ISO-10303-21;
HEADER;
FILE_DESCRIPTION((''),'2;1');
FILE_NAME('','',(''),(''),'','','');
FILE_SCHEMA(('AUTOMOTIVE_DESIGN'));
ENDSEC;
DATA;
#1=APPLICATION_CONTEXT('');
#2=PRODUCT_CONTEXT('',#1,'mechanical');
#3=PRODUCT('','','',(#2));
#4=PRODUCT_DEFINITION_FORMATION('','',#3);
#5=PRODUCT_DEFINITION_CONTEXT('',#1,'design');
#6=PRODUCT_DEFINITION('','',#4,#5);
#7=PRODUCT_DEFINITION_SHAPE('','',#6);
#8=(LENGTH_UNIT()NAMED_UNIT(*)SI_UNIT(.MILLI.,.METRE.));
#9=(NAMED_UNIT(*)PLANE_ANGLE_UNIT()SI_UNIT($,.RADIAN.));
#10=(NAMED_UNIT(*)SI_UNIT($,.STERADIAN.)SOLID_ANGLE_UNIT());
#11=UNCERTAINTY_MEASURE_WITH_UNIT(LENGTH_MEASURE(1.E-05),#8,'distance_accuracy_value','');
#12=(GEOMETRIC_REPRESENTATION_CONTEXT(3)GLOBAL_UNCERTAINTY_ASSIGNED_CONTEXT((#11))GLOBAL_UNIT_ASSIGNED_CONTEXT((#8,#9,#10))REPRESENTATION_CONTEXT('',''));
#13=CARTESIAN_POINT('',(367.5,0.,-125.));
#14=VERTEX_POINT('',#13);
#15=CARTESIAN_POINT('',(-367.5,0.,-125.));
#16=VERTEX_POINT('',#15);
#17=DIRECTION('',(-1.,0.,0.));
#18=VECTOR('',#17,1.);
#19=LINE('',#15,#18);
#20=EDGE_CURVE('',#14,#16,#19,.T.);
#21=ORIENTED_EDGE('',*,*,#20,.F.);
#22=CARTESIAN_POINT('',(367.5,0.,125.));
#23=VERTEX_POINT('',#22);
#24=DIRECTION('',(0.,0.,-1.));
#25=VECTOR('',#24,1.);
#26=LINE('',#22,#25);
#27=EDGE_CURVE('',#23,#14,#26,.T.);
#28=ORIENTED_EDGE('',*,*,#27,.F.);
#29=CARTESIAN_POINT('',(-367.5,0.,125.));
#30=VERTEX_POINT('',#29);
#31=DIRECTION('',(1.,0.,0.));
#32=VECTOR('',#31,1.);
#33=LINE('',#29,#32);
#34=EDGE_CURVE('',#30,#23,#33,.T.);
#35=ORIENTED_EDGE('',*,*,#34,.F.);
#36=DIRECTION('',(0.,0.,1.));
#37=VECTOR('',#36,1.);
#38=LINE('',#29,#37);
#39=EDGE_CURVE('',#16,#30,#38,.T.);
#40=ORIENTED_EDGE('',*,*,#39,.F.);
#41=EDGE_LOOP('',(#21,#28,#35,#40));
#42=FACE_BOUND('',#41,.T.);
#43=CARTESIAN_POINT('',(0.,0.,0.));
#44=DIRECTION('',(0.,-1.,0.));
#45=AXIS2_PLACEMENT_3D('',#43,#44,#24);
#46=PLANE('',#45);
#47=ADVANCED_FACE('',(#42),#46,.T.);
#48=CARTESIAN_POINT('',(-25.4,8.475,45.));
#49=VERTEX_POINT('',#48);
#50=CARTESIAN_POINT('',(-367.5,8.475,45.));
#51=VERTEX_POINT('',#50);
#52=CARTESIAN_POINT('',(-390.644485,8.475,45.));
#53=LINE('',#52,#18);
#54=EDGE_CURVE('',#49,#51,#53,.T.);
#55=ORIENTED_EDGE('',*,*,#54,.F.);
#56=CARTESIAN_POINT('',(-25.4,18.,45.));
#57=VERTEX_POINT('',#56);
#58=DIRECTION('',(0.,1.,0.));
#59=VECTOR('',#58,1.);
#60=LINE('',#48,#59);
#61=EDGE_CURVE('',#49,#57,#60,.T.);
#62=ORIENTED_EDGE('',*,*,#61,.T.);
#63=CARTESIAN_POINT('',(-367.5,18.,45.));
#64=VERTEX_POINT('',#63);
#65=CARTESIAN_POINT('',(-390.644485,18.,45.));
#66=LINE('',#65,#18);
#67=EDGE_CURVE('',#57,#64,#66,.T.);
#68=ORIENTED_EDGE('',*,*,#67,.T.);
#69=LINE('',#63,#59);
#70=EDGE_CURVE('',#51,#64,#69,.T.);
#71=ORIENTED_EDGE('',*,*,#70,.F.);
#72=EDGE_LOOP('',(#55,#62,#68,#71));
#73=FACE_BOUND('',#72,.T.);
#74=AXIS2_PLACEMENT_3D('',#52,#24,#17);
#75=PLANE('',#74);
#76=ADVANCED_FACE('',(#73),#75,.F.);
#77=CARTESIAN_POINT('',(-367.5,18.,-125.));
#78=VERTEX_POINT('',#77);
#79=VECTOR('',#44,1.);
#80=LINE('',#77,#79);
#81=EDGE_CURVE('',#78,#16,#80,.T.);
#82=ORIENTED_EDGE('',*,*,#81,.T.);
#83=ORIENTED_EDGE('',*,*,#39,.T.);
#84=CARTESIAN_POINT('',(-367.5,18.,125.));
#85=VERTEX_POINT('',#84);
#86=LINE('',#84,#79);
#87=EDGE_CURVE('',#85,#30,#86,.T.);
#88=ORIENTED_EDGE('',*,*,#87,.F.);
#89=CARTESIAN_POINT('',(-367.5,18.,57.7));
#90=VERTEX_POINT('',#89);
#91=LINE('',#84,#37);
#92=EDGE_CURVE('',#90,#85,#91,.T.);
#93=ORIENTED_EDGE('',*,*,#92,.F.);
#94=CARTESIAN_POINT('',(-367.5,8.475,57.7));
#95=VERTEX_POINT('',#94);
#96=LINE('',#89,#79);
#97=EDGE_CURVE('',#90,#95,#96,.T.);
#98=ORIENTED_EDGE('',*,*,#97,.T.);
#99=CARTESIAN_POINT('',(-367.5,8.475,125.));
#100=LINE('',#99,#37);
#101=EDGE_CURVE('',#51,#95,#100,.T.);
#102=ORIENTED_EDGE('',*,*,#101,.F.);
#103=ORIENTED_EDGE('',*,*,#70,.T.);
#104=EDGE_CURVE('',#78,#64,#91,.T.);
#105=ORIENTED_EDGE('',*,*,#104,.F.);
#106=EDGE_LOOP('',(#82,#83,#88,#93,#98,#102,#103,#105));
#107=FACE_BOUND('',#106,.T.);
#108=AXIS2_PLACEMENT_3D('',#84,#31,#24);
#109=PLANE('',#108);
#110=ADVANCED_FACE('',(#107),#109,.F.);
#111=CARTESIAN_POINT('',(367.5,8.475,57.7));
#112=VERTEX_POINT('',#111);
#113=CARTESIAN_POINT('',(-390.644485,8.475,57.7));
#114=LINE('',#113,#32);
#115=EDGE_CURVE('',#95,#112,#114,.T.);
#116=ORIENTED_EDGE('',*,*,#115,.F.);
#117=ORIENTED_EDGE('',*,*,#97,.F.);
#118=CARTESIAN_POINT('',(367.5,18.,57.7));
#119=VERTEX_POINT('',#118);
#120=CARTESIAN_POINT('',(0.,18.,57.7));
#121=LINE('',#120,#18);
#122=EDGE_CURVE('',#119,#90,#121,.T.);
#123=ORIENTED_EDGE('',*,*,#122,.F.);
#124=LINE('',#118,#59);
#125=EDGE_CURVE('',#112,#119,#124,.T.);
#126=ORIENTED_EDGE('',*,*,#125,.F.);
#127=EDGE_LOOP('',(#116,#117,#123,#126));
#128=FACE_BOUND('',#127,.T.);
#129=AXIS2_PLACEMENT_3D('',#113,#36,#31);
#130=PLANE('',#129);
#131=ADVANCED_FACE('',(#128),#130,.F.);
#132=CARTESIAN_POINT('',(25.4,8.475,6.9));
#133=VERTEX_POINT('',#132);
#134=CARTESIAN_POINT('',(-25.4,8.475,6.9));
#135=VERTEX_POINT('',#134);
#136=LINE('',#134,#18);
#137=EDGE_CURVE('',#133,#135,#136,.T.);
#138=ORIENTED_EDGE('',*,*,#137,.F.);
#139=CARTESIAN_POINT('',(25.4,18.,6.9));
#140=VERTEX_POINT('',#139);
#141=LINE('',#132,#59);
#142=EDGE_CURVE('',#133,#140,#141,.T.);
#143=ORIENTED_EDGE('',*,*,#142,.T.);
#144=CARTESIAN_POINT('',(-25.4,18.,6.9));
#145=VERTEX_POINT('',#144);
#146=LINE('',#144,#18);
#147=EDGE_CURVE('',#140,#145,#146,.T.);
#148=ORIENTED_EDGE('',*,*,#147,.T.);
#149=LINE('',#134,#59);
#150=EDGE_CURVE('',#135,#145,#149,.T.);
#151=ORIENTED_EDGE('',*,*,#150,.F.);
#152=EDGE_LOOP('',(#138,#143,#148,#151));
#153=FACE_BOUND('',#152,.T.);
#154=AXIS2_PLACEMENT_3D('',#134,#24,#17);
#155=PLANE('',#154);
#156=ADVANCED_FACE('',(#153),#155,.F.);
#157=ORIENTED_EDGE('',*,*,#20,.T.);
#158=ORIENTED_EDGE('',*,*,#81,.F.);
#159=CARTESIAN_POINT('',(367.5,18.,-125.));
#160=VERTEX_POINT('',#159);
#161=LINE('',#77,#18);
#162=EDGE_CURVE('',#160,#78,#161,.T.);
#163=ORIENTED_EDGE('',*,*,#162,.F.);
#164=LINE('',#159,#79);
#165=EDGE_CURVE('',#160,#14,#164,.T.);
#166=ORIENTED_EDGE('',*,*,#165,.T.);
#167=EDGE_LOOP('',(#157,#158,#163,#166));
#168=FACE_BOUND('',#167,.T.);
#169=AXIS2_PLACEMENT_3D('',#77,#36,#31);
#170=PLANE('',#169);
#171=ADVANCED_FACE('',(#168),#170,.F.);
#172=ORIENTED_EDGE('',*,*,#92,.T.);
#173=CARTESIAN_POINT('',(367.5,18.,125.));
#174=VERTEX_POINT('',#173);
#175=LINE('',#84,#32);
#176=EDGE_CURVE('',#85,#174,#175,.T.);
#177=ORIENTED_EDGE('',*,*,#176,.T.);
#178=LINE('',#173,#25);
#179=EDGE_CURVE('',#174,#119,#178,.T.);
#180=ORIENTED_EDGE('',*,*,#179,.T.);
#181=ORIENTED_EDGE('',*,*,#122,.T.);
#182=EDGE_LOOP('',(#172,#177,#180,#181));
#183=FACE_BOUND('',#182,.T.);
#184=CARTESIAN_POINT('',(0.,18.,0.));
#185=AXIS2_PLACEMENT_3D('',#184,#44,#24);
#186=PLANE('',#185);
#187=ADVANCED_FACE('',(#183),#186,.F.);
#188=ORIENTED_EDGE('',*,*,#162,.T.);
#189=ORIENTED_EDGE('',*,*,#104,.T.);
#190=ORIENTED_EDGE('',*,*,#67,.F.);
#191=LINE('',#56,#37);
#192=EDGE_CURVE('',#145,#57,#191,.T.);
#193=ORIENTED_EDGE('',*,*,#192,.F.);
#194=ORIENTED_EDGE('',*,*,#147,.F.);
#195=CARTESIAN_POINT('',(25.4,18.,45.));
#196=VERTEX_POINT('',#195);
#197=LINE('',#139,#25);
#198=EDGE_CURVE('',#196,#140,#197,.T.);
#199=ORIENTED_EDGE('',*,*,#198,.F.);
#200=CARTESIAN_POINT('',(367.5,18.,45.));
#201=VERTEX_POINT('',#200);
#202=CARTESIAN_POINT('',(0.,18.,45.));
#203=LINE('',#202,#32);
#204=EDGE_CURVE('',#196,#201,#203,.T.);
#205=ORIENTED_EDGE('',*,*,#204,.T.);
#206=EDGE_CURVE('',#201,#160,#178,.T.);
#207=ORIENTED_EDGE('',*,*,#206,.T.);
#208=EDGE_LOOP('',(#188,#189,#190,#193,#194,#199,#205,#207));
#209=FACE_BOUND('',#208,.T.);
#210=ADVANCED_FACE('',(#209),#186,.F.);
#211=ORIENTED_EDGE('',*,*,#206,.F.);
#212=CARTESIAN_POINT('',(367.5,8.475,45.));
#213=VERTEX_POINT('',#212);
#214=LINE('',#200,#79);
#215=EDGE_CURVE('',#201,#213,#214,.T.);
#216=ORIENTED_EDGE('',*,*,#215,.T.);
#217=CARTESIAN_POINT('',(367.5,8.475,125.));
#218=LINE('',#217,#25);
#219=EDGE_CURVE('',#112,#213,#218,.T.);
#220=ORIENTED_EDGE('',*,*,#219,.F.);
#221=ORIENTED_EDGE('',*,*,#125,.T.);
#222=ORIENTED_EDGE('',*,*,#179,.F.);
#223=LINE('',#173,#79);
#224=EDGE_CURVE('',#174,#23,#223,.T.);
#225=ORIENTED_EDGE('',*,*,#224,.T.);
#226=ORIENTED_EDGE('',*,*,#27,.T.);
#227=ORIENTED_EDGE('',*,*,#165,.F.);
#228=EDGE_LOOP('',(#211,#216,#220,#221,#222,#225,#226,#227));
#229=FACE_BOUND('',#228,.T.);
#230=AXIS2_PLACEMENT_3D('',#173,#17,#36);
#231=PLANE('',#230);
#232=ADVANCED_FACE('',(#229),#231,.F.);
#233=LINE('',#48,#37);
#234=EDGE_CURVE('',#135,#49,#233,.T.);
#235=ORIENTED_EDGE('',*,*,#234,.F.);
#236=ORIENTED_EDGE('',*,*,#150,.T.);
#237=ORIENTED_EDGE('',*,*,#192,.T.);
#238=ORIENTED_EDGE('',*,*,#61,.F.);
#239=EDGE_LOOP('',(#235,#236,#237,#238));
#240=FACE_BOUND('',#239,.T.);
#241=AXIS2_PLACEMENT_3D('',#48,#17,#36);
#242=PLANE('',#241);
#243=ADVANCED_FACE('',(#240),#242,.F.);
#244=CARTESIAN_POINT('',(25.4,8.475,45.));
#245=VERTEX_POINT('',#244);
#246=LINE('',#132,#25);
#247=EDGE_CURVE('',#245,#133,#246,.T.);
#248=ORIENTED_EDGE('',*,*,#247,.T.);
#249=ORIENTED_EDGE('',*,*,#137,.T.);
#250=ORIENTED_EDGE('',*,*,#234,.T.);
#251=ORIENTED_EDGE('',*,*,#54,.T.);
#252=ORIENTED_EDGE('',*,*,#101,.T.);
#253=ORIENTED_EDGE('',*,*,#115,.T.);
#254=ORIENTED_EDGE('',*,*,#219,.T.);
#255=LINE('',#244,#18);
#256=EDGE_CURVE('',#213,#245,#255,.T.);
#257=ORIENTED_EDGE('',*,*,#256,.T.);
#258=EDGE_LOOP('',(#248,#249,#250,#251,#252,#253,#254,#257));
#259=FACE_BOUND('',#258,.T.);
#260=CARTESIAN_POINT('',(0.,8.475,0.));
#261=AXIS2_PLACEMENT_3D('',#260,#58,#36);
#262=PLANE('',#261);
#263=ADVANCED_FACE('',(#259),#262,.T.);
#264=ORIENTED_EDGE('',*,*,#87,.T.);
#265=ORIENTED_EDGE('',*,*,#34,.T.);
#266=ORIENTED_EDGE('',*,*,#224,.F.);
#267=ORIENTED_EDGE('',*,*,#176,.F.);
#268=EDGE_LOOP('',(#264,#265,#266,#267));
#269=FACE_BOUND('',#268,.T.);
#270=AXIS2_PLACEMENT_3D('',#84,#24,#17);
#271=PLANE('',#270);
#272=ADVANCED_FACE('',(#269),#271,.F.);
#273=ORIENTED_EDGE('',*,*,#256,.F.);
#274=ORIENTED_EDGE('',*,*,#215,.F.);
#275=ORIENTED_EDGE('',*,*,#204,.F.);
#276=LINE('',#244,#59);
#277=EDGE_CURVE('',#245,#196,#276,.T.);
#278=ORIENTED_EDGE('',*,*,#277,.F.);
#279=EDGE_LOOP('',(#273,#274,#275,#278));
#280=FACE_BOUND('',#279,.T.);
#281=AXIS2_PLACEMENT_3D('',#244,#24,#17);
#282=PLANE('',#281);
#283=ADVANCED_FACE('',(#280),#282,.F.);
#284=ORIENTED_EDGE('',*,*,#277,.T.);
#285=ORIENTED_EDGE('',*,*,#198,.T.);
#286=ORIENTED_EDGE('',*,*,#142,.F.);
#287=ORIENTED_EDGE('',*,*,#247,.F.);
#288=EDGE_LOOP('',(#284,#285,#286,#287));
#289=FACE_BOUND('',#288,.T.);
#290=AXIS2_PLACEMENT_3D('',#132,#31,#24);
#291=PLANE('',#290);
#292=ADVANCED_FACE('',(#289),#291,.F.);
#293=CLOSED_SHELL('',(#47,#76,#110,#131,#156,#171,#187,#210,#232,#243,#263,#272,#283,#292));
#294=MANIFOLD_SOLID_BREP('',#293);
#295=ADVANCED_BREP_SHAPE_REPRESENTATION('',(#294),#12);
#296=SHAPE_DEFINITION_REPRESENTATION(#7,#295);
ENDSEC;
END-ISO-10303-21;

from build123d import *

# Parameters (mm, degrees)
SKETCH1_W           = 735
SKETCH1_H           = 250
BOSS_EXTRUDE1_DEPTH = 18
CUT_EXTRUDE1_DEPTH  = 9.525


with BuildPart() as part:
    # Sketch1 → Boss-Extrude1 (new body)
    with BuildSketch(Plane(origin=(0, 0, 0), x_dir=(1, 0, 0), z_dir=(0, 1, 0))):
        Rectangle(SKETCH1_W, SKETCH1_H)
    extrude(amount=BOSS_EXTRUDE1_DEPTH)

    # Sketch4 → Cut-Extrude1 (cut)
    with BuildSketch(Plane(origin=(0, 18, 0), x_dir=(1, 0, 0), z_dir=(0, 1, 0))):
        Polygon((-390.644484973, -45), (-25.4, -45), (-25.4, -6.9), (25.4, -6.9), (25.4, -45), (418.930169805, -45), (418.930169805, -57.7), (-390.644484973, -57.7), align=None)
    extrude(amount=-CUT_EXTRUDE1_DEPTH, mode=Mode.SUBTRACT)


solid = part.part
